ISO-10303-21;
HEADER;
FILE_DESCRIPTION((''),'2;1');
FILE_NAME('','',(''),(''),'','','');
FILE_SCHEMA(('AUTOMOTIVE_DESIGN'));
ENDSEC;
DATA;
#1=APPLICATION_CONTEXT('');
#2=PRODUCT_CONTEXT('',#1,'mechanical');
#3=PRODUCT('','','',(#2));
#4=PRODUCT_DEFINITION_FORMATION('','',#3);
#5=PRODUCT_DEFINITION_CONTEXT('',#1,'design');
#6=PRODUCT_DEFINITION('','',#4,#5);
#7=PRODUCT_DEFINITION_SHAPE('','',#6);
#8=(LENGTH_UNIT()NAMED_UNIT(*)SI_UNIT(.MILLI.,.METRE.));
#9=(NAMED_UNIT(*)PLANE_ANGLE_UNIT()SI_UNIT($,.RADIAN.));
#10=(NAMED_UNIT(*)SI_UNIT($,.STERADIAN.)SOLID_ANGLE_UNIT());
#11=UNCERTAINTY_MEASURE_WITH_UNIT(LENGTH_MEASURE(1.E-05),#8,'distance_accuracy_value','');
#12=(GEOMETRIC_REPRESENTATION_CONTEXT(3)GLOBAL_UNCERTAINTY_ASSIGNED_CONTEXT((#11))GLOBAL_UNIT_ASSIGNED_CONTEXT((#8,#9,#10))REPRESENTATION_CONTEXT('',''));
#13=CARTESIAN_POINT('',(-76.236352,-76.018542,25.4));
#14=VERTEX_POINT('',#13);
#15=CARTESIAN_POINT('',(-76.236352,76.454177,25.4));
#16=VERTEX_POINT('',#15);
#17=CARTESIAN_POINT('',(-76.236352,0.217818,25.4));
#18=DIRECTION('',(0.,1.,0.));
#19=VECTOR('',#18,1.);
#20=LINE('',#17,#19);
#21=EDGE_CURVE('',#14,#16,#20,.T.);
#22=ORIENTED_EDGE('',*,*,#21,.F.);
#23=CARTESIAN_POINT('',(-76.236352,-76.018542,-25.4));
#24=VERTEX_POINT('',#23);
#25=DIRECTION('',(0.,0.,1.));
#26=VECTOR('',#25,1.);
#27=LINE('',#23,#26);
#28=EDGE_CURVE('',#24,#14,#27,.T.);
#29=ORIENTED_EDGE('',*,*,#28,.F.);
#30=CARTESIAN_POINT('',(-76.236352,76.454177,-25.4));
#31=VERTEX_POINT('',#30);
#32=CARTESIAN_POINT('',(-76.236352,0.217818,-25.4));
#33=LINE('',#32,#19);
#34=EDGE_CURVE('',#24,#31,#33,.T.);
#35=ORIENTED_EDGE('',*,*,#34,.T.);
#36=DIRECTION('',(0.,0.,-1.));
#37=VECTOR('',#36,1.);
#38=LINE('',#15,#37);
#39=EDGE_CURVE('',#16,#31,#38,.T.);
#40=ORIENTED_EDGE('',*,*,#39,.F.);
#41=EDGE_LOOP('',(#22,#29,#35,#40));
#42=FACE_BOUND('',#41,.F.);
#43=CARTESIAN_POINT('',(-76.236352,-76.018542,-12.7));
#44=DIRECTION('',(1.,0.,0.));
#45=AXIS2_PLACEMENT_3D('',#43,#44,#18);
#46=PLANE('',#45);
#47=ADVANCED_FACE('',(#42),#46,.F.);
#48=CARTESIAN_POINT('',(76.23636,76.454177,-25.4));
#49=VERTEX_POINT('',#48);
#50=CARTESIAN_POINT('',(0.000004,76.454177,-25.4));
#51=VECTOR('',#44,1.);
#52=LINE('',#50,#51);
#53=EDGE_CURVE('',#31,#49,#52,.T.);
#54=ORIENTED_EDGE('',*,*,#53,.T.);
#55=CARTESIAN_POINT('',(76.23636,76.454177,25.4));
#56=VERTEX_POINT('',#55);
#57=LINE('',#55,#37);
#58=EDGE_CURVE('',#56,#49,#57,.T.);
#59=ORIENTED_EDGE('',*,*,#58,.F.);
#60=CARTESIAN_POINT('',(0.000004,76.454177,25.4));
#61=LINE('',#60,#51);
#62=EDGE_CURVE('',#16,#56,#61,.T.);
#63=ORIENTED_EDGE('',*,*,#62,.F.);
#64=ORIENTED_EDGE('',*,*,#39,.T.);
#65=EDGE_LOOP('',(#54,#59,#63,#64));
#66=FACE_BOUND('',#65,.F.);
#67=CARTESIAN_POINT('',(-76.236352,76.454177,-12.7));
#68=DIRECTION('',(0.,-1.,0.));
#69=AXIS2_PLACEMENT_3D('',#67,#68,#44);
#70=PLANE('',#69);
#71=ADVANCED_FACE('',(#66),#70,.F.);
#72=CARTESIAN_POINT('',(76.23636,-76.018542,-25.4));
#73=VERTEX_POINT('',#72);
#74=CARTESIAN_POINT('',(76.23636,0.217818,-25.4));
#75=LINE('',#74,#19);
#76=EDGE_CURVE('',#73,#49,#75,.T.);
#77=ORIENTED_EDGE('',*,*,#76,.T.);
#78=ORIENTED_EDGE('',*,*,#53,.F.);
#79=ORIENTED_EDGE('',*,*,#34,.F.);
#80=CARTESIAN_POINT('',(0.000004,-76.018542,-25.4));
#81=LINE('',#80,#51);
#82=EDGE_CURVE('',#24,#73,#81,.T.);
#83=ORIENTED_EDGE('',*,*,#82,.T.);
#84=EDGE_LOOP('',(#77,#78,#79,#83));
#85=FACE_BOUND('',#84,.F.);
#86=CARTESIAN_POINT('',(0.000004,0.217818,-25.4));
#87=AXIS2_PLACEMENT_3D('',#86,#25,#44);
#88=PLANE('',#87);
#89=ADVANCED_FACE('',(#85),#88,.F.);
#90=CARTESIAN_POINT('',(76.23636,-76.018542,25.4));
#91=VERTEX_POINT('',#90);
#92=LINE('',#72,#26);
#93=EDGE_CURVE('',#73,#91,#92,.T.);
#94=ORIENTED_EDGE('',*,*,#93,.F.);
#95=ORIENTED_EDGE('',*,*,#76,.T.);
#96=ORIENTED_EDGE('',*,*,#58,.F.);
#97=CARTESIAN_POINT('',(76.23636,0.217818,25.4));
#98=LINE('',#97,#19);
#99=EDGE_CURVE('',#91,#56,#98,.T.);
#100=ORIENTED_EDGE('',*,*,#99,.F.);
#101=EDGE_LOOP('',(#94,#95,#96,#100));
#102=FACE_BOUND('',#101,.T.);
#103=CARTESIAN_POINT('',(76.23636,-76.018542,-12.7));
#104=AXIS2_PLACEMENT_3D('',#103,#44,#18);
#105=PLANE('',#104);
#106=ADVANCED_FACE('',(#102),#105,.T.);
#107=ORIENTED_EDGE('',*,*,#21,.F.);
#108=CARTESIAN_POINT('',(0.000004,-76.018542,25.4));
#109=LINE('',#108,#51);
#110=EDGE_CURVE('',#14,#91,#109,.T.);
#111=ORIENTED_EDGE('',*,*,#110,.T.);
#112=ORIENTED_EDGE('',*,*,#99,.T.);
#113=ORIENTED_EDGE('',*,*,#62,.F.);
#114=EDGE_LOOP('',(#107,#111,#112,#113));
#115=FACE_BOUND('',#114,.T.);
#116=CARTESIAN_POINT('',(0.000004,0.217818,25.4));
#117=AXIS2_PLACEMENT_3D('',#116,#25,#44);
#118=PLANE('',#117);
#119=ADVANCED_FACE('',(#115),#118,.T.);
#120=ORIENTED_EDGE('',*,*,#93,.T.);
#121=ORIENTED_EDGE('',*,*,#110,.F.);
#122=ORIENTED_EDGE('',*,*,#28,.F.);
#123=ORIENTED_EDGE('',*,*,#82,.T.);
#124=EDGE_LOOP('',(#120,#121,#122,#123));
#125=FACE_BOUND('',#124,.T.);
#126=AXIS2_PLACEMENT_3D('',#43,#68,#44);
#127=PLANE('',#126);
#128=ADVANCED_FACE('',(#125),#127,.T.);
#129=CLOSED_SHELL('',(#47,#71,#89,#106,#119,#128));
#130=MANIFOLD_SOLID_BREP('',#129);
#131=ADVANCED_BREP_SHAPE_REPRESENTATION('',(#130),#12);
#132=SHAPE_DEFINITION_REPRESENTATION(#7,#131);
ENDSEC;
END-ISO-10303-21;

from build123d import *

# Parameters (mm, degrees)
F0_W     = 152.4727120996
F0_H     = 152.4727195501
F1_DEPTH = 12.7
F2_DEPTH = 12.7
F3_DEPTH = 12.7
F4_DEPTH = 12.7


with BuildPart() as f1:
    # F0 (on Top) → F1 (new body)
    with BuildSketch(Plane.XY):
        with Locations((3.7253e-06, 0.2178177238)):
            Rectangle(F0_W, F0_H)
    extrude(amount=F1_DEPTH)

    # F2 (add): a face of the model
    f2_faces = [f1.faces().sort_by_distance(p)[0] for p in [
        (3.7253e-06, 0.2178177238, 12.7),
    ]]
    extrude(f2_faces, amount=F2_DEPTH)

    # F3 (add): a face of the model
    f3_faces = [f1.faces().sort_by_distance(p)[0] for p in [
        (3.7253e-06, 0.2178177238, 0),
    ]]
    extrude(f3_faces, amount=F3_DEPTH)

    # F4 (add): a face of the model
    f4_faces = [f1.faces().sort_by_distance(p)[0] for p in [
        (3.7253e-06, 0.2178177238, -12.7),
    ]]
    extrude(f4_faces, amount=F4_DEPTH)


solid = f1.part
